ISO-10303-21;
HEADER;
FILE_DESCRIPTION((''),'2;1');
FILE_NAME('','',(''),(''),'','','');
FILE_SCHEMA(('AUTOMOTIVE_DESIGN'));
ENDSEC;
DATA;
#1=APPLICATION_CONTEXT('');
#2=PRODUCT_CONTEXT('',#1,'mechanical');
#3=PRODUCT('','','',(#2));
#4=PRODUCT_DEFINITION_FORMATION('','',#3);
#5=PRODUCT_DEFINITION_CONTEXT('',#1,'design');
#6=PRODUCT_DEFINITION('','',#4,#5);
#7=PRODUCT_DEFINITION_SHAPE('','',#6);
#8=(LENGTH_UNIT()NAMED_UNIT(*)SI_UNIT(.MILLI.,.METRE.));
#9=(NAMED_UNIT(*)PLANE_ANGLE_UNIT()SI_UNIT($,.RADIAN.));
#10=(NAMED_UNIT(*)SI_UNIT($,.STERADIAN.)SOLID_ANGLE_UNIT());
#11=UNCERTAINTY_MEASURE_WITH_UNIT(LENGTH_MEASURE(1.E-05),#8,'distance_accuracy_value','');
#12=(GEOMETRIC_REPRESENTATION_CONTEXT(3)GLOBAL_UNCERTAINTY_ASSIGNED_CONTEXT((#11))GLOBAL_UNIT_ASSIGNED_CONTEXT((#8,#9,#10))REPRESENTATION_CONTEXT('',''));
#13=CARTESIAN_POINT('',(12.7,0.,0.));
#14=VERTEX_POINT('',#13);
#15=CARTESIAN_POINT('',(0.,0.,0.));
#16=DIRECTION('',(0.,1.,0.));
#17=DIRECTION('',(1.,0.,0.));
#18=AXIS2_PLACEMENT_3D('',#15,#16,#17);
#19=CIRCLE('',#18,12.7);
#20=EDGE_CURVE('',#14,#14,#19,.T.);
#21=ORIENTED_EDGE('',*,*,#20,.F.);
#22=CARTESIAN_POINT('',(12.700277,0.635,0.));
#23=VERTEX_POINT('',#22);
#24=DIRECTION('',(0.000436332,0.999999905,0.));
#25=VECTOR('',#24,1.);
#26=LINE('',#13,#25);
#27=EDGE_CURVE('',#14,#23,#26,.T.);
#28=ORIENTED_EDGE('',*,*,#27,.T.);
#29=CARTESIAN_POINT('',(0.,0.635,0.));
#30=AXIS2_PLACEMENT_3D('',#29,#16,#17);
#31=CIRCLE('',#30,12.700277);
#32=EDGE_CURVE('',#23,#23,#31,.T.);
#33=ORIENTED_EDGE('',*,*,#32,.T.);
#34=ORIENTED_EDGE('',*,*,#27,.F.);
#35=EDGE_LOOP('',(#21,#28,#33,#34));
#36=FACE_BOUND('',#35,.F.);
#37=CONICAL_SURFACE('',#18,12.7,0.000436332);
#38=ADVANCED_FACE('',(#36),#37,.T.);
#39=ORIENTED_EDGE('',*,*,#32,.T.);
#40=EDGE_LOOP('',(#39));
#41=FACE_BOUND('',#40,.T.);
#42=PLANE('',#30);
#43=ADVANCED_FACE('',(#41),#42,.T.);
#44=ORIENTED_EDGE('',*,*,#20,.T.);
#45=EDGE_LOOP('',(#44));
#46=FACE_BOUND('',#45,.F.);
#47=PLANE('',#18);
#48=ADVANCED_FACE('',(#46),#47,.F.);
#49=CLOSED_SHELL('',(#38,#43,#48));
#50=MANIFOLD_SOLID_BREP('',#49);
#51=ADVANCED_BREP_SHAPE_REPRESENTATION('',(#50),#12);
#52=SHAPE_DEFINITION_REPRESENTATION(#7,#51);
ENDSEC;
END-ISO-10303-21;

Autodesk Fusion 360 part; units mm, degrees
sketch "Sketch1" plane through (0, 0, 0) normal (0, 1, 0) x (1, 0, 0)
  circle A0 centre (0, 0) radius 12.7
extrude "Extrude1" add sketch "Sketch1" along normal blind 0.635 draft 0.025
